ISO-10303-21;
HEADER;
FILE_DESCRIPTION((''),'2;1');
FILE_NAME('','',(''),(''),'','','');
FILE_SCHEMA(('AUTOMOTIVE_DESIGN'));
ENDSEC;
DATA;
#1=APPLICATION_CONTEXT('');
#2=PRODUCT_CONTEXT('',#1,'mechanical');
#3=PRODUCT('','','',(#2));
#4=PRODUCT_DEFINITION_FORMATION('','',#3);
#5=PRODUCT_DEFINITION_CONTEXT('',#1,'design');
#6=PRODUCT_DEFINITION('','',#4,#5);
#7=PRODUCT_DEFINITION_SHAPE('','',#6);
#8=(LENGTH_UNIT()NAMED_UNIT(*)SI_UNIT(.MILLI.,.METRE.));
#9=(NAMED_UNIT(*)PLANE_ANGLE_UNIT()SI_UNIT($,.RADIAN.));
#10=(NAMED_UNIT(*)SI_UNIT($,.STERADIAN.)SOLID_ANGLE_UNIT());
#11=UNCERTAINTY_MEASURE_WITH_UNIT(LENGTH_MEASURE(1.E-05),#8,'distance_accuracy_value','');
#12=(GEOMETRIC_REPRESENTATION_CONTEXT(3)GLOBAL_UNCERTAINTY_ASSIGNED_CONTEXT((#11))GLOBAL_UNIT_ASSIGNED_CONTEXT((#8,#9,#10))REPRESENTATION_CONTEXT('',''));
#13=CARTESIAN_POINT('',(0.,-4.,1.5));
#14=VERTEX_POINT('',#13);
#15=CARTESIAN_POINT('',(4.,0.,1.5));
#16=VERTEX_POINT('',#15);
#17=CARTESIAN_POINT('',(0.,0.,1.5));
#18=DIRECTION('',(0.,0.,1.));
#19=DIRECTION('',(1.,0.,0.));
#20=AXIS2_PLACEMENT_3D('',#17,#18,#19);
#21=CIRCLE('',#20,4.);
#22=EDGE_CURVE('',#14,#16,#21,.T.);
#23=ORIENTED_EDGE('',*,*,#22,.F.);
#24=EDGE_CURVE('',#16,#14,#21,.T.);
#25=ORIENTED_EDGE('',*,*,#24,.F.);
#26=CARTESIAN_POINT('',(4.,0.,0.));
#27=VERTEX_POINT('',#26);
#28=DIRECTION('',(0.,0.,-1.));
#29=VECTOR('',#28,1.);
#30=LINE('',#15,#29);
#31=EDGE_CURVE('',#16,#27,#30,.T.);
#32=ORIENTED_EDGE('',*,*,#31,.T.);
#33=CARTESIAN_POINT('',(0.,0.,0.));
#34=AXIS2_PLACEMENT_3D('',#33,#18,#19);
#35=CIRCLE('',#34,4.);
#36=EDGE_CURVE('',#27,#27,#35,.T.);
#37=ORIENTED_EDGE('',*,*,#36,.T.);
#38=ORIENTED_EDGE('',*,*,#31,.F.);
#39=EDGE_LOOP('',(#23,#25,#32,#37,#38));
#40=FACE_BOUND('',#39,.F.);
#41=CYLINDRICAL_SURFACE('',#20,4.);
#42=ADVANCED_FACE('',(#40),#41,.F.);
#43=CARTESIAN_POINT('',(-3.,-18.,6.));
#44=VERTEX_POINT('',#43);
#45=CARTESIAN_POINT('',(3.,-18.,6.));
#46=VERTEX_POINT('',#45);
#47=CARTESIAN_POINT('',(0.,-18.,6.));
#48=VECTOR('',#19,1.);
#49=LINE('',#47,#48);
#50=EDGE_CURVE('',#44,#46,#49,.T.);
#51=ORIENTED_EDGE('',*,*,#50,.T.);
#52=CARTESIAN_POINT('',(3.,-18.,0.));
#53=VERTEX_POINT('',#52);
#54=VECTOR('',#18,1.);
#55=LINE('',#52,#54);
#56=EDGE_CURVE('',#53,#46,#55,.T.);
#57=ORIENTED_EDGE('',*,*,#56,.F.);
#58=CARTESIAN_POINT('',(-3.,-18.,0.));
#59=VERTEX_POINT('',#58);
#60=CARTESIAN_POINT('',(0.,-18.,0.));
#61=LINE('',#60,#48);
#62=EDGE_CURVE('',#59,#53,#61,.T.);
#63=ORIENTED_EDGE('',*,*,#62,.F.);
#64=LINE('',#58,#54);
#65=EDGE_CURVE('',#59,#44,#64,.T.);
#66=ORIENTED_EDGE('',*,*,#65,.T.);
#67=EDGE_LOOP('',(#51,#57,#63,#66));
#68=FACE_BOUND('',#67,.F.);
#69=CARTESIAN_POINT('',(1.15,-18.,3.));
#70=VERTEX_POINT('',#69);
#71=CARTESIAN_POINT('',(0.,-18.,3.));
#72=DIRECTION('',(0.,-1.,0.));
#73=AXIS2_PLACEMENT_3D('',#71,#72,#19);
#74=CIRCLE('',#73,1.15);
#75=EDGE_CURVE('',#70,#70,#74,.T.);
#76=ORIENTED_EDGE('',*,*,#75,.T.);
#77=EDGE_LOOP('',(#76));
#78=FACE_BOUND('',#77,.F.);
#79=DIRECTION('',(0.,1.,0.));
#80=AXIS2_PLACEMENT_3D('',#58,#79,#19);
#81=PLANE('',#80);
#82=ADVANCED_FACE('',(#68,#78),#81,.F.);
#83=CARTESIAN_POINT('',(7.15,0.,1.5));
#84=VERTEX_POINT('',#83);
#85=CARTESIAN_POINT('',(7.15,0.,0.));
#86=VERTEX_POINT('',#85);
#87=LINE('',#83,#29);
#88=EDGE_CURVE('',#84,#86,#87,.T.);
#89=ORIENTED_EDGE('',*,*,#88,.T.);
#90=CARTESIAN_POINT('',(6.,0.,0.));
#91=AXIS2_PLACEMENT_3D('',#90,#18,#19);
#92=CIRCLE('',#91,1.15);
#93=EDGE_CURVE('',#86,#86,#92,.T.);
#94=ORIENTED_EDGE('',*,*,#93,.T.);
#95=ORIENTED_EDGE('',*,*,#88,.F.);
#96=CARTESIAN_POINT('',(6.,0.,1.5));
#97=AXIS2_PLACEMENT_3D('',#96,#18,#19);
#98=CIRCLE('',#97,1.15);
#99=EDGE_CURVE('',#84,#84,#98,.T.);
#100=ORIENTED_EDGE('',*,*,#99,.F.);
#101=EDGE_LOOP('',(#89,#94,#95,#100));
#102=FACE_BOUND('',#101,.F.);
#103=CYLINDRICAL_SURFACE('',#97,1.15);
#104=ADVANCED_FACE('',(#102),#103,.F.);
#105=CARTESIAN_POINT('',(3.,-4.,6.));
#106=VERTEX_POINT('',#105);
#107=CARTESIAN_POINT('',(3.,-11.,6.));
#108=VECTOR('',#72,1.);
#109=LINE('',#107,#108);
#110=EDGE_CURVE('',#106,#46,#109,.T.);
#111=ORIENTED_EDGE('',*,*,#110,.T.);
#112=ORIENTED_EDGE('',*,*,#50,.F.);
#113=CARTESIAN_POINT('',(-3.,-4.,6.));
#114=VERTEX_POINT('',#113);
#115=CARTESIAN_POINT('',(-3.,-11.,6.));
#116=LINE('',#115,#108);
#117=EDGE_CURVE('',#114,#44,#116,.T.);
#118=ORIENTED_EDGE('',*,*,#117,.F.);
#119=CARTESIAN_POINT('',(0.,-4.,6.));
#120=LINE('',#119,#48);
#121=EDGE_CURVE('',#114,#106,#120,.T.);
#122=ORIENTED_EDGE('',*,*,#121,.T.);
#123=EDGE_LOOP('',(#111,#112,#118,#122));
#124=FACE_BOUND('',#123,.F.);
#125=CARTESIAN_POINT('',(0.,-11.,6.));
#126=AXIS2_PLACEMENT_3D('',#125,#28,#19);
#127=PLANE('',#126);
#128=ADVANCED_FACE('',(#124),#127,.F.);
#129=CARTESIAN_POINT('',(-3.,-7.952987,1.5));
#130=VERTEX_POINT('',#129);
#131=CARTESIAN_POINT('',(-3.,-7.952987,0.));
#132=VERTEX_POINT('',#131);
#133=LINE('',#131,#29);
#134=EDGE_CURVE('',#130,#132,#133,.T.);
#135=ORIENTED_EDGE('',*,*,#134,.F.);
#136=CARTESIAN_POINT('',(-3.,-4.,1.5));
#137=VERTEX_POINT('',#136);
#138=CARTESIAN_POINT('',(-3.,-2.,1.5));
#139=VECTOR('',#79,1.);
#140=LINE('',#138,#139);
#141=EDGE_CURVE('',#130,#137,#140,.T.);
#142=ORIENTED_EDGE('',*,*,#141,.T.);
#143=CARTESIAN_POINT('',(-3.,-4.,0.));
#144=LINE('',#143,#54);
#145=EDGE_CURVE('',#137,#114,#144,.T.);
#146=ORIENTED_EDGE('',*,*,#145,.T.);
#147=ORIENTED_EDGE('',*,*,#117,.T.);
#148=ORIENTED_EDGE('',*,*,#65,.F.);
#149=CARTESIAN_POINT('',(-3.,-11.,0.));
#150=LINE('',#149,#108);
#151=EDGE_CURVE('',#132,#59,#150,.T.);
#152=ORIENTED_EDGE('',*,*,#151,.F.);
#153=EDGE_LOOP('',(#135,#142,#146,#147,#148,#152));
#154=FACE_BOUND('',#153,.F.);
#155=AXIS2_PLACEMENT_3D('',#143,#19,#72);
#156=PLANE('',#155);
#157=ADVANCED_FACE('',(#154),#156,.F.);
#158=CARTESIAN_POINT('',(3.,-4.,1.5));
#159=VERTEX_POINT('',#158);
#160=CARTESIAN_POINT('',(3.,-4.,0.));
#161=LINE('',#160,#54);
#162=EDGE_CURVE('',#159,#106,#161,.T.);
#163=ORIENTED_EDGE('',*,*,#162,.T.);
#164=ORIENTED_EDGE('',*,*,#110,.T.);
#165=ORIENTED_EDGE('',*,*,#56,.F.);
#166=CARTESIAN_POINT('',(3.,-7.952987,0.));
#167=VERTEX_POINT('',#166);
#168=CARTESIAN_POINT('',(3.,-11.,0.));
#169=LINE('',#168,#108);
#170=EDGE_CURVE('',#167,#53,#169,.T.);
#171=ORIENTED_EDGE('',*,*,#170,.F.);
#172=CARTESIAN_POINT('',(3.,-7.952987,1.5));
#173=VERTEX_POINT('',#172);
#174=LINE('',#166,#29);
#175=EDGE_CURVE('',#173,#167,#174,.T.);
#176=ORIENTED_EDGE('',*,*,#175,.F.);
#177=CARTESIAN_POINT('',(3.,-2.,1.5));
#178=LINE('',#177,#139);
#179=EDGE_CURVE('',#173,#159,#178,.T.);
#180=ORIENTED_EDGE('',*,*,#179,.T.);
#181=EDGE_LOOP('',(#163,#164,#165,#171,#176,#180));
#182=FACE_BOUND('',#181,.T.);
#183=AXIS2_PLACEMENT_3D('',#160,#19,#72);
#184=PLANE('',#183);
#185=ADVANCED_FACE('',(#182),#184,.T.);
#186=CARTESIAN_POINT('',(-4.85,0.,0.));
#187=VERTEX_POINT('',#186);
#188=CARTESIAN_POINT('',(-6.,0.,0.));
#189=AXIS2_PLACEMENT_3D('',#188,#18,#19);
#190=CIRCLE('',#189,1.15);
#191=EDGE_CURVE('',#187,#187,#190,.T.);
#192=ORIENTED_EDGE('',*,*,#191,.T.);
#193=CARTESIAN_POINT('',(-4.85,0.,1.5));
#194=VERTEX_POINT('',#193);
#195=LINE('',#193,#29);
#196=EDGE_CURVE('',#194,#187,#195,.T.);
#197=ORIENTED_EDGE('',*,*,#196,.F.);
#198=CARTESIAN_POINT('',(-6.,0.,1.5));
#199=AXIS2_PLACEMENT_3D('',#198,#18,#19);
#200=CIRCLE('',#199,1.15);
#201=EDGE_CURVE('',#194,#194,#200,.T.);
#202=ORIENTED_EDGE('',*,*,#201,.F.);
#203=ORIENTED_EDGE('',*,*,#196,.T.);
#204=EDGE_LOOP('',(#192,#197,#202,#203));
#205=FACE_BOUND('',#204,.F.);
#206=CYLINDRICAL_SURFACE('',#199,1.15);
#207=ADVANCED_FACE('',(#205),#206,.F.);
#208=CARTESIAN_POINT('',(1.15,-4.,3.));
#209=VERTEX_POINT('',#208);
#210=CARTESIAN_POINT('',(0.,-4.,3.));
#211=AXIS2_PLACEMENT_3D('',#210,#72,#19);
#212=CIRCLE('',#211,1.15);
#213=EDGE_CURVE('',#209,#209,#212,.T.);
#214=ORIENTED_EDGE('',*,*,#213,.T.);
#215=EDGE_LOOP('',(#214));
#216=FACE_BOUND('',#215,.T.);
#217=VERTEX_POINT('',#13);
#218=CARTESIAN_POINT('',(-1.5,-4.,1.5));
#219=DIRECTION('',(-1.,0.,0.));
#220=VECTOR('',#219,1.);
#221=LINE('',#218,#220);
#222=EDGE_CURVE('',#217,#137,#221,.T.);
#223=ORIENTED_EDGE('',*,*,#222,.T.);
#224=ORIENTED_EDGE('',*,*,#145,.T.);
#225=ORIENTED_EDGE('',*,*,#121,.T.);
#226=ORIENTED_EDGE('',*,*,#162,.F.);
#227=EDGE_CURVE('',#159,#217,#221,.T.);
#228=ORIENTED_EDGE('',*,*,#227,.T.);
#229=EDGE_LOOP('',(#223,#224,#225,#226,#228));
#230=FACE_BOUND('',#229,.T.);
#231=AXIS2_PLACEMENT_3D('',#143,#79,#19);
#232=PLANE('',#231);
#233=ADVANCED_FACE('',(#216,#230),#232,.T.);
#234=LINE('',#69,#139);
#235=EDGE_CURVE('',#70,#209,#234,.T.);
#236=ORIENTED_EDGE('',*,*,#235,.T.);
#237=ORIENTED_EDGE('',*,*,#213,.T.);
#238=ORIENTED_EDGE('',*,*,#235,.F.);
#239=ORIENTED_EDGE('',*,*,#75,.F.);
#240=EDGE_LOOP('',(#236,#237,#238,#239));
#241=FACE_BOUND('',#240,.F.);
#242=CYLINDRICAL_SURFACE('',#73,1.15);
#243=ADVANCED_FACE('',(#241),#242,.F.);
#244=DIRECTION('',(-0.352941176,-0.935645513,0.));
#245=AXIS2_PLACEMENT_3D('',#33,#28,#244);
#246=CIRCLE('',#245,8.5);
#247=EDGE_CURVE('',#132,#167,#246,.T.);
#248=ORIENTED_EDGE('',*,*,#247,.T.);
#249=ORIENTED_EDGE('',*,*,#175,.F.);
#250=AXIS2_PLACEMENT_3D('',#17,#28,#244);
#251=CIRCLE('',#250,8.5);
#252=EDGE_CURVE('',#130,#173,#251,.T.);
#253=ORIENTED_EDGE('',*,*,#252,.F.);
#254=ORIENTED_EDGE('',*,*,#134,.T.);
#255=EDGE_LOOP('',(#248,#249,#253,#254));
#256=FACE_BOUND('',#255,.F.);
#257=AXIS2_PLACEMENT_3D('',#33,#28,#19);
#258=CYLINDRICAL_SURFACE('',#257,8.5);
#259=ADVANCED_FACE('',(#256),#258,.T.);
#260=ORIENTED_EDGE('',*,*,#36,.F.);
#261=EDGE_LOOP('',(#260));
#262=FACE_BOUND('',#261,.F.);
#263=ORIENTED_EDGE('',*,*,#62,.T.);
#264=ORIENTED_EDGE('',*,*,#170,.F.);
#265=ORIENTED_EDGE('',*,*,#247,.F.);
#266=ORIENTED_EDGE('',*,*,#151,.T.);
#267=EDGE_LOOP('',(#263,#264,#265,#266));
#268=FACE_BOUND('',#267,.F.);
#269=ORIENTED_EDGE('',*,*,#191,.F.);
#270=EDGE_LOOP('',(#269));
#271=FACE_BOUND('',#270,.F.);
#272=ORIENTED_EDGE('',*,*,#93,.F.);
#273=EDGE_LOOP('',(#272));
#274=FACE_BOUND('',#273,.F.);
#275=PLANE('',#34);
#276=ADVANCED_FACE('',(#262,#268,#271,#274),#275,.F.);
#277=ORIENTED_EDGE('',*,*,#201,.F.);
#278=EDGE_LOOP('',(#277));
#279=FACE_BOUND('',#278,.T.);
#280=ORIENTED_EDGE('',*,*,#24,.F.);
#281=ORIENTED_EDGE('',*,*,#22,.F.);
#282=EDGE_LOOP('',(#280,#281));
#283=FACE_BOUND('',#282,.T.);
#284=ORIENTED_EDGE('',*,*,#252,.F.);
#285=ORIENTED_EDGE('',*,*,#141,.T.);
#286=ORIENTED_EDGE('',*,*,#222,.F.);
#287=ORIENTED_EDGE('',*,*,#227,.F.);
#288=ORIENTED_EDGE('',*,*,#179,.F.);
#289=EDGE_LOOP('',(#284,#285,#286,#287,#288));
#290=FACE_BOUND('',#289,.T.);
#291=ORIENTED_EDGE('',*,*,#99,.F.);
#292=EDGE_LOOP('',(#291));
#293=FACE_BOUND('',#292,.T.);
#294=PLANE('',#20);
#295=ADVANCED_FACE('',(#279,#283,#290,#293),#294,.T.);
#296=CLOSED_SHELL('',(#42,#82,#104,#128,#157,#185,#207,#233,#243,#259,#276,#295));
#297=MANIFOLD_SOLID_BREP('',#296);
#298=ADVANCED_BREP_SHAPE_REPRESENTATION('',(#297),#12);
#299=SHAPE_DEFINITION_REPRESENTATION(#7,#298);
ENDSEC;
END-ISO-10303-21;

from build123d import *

# Parameters (mm, degrees)
SKETCH_R        = 8.5
PAD_DEPTH       = 1.5
SKETCH001_R     = 4
SKETCH001_R_2   = 1.15
POCKET_DEPTH    = 5
SKETCH002_W     = 6
SKETCH002_H     = 14
PAD001_DEPTH    = 6
SKETCH003_R     = 1.15
POCKET001_DEPTH = 15


with BuildPart() as part:
    # Sketch → Pad (new body)
    with BuildSketch(Plane.XY):
        Circle(SKETCH_R)
    extrude(amount=PAD_DEPTH)

    # Sketch001 → Pocket (cut)
    with BuildSketch(Plane.XY.offset(1.5)):
        Circle(SKETCH001_R)
        with Locations((-6, 0)):
            Circle(SKETCH001_R_2)
        with Locations((6, 0)):
            Circle(SKETCH001_R_2)
    extrude(amount=-POCKET_DEPTH, mode=Mode.SUBTRACT)

    # Sketch002 → Pad001 (new body)
    with BuildSketch(Plane(origin=(0, 0, 0), x_dir=(1, 0, 0), z_dir=(0, 0, -1))):
        with Locations((0, 11)):
            Rectangle(SKETCH002_W, SKETCH002_H)
    extrude(amount=-PAD001_DEPTH)

    # Sketch003 → Pocket001 (cut)
    with BuildSketch(Plane.XZ.offset(18)):
        with Locations((0, 3)):
            Circle(SKETCH003_R)
    extrude(amount=-POCKET001_DEPTH, mode=Mode.SUBTRACT)


solid = part.part
